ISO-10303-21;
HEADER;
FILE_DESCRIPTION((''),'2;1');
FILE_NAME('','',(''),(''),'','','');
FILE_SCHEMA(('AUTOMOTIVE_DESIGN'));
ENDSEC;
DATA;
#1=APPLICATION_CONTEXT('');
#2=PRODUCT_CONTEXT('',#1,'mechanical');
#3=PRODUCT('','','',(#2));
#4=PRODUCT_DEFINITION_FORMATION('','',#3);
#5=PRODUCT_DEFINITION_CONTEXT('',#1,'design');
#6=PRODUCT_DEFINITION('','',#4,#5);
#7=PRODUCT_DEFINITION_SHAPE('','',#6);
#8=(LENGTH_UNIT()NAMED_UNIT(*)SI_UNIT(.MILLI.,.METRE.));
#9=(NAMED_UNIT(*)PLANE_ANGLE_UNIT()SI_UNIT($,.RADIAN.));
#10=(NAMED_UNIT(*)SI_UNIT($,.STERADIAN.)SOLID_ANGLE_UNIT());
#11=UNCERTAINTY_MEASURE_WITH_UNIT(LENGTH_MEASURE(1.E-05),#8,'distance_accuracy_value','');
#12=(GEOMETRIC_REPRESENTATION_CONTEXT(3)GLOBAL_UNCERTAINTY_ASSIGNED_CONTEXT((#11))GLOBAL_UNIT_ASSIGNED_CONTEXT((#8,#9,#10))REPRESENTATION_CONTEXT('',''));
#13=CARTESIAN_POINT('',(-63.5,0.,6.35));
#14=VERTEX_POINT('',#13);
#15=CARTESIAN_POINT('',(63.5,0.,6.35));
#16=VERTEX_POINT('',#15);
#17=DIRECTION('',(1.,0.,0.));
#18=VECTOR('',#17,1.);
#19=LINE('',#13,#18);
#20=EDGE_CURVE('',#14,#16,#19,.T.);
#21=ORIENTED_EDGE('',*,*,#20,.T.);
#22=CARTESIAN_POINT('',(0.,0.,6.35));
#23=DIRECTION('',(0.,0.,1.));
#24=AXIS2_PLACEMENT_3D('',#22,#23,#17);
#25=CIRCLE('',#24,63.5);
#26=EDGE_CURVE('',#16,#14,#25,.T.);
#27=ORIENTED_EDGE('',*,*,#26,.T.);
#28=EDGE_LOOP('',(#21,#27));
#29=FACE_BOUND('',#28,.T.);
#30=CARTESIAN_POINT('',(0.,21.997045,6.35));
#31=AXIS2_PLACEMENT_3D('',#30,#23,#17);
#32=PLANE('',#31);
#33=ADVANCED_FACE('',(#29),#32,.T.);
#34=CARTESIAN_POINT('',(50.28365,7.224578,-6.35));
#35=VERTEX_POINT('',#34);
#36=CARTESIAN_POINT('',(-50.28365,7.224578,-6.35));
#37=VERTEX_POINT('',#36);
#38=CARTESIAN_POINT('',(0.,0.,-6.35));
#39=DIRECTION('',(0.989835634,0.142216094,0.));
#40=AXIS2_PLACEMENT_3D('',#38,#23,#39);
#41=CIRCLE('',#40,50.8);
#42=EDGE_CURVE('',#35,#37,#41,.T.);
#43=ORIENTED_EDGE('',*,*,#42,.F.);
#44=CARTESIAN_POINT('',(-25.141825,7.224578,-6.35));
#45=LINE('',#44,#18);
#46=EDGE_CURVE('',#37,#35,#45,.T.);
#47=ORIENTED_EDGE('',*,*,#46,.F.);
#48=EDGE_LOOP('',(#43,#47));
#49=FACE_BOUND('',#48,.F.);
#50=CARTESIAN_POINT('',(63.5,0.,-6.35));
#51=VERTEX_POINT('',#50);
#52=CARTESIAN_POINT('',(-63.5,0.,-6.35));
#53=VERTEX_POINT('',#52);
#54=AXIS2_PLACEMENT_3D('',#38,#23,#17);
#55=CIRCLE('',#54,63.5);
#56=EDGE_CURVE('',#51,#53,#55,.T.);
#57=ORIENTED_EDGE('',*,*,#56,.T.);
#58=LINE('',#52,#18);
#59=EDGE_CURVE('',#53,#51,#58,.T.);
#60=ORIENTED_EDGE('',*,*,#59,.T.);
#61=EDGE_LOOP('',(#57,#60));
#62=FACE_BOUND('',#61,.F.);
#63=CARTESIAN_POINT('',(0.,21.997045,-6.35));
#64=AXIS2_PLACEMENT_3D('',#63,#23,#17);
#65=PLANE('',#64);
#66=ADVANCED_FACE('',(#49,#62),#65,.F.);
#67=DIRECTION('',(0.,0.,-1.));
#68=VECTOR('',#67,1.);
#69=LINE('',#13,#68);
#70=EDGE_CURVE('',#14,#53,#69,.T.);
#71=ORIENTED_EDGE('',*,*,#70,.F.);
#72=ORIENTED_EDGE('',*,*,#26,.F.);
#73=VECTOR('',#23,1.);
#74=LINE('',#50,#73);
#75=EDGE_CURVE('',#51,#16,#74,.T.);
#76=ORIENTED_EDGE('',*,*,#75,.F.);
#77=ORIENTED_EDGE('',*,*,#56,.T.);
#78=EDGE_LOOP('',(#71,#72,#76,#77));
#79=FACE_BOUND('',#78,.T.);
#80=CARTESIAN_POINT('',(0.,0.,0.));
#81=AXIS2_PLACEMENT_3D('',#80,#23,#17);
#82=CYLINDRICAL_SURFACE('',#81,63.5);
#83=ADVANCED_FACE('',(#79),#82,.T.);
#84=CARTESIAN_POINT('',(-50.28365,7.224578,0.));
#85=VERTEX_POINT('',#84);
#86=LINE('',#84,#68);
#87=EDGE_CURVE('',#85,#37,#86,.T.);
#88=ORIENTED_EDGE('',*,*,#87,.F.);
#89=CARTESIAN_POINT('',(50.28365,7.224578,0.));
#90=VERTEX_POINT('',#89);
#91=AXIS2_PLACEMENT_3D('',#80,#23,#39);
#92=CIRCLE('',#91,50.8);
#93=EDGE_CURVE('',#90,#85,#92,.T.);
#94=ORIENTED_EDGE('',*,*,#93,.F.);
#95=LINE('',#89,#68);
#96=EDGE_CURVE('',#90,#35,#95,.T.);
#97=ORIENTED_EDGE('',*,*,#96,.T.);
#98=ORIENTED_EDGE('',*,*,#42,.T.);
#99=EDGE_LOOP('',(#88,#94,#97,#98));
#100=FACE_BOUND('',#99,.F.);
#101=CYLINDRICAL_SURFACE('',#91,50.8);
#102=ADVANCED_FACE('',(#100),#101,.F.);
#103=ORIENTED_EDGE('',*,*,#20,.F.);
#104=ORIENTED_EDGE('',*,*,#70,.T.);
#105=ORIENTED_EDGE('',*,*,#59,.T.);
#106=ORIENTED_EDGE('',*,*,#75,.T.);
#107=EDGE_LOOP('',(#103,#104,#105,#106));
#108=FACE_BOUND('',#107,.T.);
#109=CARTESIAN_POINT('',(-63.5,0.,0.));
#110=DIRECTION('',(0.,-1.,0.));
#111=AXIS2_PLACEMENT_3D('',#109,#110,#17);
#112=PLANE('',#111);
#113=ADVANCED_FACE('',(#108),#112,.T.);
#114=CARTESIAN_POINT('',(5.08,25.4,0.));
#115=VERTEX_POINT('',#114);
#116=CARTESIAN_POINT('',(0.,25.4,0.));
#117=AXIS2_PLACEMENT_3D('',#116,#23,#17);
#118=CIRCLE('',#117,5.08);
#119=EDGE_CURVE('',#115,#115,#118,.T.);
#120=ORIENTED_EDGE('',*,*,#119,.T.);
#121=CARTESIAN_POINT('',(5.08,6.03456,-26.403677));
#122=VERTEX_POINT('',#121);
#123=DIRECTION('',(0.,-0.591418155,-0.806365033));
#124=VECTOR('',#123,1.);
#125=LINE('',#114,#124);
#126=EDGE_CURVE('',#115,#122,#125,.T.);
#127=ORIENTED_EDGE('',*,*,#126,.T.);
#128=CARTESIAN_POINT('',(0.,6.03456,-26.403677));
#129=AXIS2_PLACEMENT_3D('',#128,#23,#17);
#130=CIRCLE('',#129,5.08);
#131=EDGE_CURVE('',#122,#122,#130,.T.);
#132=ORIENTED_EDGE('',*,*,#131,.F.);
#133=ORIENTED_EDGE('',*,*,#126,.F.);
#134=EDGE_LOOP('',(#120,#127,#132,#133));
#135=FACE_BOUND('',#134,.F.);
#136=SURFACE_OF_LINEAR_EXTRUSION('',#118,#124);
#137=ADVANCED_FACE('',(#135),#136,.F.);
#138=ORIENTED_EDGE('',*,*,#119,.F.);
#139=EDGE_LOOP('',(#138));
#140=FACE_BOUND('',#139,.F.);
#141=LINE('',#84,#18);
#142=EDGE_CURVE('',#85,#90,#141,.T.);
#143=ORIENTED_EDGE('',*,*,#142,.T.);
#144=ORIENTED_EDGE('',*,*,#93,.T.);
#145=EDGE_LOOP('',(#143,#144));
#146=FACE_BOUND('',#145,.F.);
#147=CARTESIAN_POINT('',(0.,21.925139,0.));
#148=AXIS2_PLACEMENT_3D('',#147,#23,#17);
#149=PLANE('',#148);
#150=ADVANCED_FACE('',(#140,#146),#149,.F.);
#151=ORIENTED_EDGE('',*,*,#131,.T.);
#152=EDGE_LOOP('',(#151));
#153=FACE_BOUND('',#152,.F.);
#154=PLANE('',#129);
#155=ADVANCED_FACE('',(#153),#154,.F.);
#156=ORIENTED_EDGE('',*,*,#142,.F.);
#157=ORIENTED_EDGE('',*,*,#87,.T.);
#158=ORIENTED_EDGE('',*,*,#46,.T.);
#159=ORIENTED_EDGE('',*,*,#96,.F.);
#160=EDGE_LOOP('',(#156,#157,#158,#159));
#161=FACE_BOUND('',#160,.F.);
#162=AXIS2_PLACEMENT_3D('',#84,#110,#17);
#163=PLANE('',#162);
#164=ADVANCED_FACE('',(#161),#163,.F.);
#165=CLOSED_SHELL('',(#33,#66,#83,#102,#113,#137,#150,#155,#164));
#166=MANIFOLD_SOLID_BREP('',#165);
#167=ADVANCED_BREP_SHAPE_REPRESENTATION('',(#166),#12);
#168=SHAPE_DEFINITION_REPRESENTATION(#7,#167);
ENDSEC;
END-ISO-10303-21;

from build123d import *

# Parameters (mm, degrees)
F1_DEPTH = 6.35
F3_DEPTH = 25.4
F4_R     = 3.81
F7_R     = 5.08


with BuildPart() as f1:
    # F0 (on Top) → F1 (new body, symmetric)
    with BuildSketch(Plane.XY):
        with BuildLine():
            Line((-63.5, 0), (63.5, 0))
            ThreePointArc((63.5, 0), (0, 63.5), (-63.5, 0))
        make_face()
    extrude(amount=F1_DEPTH, both=True)

    # F2 (on Top) → F3 (cut)
    with BuildSketch(Plane.XY):
        with BuildLine():
            Line((-50.2836502119, 7.2245775906), (50.2836502119, 7.2245775906))
            ThreePointArc((50.2836502119, 7.2245775906), (0, 50.8), (-50.2836502119, 7.2245775906))
        make_face()
    extrude(amount=-F3_DEPTH, mode=Mode.SUBTRACT)

    # F6: sweep along a path in F5
    with BuildLine(Plane.YZ) as f6_path:
        Line((25.5370624363, 0), (6.1716223136, -26.4036767185))
    # F4 (on Top) → F6 (sweep, cut)
    with BuildSketch(Plane.XY):
        with Locations((0, 25.4)):
            Circle(F4_R)
    sweep(path=f6_path.line, mode=Mode.SUBTRACT)

    # F8: sweep along a path in F5
    with BuildLine(Plane.YZ) as f8_path:
        Line((25.5370624363, 0), (6.1716223136, -26.4036767185))
    # F7 (on Top) → F8 (sweep)
    with BuildSketch(Plane.XY):
        with Locations((0, 25.4)):
            Circle(F7_R)
    sweep(path=f8_path.line)


solid = f1.part
